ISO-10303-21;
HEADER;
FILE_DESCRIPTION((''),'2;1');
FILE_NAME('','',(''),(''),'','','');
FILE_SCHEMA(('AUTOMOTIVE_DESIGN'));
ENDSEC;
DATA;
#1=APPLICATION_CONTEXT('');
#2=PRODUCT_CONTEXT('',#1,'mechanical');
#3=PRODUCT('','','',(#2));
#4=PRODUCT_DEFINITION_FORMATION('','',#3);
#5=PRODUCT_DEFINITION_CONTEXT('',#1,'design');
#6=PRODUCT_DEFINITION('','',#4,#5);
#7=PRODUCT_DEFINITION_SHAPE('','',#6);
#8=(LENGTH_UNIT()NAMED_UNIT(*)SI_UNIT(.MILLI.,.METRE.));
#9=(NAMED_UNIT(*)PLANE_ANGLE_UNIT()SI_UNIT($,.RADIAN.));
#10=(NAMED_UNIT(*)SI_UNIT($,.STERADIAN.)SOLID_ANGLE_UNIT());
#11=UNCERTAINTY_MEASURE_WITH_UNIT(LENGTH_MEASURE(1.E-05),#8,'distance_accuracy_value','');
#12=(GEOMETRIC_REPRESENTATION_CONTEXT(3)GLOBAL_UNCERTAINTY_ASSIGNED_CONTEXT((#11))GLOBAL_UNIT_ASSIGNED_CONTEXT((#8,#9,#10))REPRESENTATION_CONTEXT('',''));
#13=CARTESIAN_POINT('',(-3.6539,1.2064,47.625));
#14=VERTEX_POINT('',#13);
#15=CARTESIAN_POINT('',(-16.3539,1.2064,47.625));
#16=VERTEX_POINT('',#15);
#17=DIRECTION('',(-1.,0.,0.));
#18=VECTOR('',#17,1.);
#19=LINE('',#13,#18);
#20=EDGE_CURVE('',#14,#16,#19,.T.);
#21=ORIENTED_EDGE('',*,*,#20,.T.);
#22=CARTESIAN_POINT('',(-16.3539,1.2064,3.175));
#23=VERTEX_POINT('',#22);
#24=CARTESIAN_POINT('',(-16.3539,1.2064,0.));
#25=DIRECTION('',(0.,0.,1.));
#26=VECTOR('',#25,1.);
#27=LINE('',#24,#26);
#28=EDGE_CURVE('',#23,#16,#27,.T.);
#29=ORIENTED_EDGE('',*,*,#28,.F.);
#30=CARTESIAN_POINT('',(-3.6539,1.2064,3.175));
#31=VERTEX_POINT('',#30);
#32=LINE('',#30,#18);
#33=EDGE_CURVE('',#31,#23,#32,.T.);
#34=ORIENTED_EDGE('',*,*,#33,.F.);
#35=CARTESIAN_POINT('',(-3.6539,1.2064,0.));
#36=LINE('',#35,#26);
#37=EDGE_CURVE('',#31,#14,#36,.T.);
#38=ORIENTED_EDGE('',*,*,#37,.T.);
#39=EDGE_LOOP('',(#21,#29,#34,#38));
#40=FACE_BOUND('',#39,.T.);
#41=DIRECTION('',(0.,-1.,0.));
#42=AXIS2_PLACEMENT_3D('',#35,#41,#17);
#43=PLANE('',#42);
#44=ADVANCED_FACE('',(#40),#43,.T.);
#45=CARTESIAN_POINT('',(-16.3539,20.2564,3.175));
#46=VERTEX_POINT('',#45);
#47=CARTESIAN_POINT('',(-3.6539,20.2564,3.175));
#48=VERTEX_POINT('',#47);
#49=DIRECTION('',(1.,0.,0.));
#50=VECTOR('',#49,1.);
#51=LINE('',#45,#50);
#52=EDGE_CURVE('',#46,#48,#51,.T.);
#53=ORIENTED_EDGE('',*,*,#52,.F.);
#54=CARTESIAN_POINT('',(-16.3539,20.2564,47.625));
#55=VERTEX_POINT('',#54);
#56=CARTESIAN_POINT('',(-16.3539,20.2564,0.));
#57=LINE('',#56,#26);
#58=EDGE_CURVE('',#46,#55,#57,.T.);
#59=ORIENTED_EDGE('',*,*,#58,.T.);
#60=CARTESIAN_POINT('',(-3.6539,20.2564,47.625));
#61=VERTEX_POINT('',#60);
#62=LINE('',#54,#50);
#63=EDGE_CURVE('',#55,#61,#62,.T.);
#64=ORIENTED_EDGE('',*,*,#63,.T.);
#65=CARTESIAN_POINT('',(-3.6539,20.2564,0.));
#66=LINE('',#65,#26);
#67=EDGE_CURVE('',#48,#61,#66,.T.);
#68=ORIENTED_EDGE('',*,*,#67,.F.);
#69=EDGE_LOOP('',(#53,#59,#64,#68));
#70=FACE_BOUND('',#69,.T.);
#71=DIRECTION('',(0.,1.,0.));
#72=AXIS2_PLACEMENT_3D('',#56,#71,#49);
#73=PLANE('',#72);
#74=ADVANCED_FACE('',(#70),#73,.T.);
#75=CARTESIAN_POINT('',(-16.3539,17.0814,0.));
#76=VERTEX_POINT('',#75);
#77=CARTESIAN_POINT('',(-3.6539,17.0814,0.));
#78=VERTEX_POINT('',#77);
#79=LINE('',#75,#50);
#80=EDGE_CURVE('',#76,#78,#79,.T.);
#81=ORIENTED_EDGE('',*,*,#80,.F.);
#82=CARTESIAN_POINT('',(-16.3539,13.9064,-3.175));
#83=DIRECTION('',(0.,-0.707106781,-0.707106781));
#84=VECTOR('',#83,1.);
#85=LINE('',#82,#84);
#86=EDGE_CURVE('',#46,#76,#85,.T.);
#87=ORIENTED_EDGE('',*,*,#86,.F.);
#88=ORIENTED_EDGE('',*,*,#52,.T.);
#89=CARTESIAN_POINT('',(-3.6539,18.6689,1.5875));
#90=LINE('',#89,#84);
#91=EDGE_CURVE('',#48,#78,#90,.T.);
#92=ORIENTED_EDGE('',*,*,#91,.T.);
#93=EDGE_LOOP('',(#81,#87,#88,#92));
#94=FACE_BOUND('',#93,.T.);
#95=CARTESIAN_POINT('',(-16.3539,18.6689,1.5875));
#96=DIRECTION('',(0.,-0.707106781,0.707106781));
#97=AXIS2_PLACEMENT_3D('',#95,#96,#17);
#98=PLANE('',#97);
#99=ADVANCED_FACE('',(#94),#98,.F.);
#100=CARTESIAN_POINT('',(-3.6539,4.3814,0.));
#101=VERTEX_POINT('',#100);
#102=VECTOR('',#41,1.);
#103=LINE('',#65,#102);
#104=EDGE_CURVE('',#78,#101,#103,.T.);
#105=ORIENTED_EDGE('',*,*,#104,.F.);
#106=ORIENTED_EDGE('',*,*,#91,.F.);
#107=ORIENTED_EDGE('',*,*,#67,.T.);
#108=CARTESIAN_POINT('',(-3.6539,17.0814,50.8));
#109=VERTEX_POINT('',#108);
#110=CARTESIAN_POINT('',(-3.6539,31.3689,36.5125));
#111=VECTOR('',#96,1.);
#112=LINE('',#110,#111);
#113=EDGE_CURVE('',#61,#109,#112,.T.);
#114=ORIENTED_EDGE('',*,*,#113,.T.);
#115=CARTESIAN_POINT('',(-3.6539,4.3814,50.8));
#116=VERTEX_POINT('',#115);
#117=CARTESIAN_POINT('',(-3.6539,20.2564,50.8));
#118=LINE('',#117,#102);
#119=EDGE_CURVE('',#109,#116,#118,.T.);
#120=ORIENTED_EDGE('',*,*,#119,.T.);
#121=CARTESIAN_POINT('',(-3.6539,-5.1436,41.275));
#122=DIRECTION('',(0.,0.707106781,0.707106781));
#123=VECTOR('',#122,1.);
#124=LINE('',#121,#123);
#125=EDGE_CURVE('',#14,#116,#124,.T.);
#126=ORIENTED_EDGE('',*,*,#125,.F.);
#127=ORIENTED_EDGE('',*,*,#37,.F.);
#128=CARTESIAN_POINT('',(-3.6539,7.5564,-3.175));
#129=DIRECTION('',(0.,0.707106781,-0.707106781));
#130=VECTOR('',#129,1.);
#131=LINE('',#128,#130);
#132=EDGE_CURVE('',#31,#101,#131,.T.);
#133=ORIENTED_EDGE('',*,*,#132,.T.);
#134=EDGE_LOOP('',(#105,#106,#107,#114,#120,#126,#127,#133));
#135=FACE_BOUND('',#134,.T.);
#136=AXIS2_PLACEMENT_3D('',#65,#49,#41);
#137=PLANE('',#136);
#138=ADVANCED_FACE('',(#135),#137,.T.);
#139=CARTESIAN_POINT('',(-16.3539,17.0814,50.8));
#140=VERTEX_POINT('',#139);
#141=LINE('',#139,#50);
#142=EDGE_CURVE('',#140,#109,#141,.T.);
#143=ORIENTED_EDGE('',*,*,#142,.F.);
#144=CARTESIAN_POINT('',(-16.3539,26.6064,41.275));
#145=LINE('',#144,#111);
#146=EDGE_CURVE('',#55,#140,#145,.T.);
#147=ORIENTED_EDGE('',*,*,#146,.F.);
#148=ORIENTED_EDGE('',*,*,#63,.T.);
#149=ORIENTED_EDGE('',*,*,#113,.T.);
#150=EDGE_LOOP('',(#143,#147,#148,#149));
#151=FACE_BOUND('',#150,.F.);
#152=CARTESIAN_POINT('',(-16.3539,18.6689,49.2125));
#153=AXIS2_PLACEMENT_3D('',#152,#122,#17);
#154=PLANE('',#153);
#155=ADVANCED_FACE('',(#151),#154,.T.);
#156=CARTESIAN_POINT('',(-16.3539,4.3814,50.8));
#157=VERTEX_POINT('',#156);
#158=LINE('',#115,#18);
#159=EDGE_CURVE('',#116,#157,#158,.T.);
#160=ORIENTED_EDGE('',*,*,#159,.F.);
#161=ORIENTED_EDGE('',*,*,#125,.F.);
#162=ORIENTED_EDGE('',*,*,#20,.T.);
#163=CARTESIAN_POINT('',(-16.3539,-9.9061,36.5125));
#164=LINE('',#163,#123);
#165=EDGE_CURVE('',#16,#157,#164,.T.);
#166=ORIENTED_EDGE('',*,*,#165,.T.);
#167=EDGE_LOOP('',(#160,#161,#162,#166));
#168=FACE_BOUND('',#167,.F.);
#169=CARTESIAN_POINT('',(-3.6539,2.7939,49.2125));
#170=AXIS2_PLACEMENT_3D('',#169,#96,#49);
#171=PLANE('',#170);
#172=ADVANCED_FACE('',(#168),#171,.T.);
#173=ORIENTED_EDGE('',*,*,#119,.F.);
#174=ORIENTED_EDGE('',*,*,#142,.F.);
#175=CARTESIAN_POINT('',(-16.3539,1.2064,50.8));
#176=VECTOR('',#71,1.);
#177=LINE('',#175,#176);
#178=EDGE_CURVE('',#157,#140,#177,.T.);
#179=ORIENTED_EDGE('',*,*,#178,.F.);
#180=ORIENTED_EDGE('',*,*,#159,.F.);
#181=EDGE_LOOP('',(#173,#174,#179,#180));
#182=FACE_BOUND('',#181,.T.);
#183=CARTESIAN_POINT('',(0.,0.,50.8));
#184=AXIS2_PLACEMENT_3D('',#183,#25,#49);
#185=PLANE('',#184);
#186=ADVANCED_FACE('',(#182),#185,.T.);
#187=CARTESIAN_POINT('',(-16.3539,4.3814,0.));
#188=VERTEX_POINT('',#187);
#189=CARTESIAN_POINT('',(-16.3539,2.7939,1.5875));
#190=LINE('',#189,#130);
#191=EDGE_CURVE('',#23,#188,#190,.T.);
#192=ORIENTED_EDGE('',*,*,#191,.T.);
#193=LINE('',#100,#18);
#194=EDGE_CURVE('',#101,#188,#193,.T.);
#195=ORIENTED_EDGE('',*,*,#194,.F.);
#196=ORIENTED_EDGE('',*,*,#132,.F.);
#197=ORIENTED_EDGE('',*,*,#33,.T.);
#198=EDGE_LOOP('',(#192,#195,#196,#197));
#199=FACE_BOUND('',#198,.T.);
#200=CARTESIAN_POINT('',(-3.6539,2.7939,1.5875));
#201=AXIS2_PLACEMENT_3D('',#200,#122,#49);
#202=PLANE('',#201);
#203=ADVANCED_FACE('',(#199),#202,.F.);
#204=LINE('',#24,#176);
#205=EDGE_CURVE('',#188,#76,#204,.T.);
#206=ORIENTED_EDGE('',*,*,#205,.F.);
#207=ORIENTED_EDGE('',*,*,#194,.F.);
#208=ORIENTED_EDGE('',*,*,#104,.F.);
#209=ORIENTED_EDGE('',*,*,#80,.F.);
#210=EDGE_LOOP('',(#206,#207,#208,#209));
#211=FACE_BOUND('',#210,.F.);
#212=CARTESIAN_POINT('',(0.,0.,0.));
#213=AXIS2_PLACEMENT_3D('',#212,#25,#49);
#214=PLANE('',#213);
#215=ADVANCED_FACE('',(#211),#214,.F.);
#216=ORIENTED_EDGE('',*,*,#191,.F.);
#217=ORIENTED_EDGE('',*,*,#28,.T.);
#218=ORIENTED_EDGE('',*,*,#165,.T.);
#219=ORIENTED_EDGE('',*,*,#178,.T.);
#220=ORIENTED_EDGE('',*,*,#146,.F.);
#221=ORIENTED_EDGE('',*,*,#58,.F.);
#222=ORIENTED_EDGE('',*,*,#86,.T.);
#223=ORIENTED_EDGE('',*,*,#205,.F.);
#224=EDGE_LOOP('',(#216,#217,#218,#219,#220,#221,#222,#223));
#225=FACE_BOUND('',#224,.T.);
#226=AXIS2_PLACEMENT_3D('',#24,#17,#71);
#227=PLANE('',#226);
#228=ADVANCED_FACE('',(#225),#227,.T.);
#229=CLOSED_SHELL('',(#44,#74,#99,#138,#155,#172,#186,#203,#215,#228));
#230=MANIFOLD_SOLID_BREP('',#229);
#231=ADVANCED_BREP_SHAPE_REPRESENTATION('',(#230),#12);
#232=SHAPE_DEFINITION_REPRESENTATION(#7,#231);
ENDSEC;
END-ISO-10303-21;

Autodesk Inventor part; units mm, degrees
ref_plane "YZ Plane" through (0, 0, 0) normal (1, 0, 0) x (0, 1, 0)
ref_plane "XZ Plane" through (0, 0, 0) normal (0, 1, 0) x (-1, 0, 0)
ref_plane "XY Plane" through (0, 0, 0) normal (0, 0, 1) x (1, 0, 0)
sketch "Sketch1" plane through (0, 0, 0) normal (0, 0, 1) x (1, 0, 0)
  line L0 (-16.3539, 20.2564) -> (-3.6539, 20.2564)
  line L1 (-3.6539, 20.2564) -> (-3.6539, 1.2064)
  line L2 (-3.6539, 1.2064) -> (-16.3539, 1.2064)
  line L3 (-16.3539, 1.2064) -> (-16.3539, 20.2564)
  dimension "d0" = 12.7
  dimension "d1" = 19.05
extrude "Extrusion1" add sketch "Sketch1" along normal blind 50.8
chamfer "Chamfer1" distance 3.175 angle 45 4 edges at (-10.0039, 20.2564, 50.8) (-10.0039, 20.2564, 0) (-10.0039, 1.2064, 50.8) (-10.0039, 1.2064, 0)
equation "\"d1\" = 1.5 * d0"
properties part number "Key" material "Brass, Soft Yellow"
